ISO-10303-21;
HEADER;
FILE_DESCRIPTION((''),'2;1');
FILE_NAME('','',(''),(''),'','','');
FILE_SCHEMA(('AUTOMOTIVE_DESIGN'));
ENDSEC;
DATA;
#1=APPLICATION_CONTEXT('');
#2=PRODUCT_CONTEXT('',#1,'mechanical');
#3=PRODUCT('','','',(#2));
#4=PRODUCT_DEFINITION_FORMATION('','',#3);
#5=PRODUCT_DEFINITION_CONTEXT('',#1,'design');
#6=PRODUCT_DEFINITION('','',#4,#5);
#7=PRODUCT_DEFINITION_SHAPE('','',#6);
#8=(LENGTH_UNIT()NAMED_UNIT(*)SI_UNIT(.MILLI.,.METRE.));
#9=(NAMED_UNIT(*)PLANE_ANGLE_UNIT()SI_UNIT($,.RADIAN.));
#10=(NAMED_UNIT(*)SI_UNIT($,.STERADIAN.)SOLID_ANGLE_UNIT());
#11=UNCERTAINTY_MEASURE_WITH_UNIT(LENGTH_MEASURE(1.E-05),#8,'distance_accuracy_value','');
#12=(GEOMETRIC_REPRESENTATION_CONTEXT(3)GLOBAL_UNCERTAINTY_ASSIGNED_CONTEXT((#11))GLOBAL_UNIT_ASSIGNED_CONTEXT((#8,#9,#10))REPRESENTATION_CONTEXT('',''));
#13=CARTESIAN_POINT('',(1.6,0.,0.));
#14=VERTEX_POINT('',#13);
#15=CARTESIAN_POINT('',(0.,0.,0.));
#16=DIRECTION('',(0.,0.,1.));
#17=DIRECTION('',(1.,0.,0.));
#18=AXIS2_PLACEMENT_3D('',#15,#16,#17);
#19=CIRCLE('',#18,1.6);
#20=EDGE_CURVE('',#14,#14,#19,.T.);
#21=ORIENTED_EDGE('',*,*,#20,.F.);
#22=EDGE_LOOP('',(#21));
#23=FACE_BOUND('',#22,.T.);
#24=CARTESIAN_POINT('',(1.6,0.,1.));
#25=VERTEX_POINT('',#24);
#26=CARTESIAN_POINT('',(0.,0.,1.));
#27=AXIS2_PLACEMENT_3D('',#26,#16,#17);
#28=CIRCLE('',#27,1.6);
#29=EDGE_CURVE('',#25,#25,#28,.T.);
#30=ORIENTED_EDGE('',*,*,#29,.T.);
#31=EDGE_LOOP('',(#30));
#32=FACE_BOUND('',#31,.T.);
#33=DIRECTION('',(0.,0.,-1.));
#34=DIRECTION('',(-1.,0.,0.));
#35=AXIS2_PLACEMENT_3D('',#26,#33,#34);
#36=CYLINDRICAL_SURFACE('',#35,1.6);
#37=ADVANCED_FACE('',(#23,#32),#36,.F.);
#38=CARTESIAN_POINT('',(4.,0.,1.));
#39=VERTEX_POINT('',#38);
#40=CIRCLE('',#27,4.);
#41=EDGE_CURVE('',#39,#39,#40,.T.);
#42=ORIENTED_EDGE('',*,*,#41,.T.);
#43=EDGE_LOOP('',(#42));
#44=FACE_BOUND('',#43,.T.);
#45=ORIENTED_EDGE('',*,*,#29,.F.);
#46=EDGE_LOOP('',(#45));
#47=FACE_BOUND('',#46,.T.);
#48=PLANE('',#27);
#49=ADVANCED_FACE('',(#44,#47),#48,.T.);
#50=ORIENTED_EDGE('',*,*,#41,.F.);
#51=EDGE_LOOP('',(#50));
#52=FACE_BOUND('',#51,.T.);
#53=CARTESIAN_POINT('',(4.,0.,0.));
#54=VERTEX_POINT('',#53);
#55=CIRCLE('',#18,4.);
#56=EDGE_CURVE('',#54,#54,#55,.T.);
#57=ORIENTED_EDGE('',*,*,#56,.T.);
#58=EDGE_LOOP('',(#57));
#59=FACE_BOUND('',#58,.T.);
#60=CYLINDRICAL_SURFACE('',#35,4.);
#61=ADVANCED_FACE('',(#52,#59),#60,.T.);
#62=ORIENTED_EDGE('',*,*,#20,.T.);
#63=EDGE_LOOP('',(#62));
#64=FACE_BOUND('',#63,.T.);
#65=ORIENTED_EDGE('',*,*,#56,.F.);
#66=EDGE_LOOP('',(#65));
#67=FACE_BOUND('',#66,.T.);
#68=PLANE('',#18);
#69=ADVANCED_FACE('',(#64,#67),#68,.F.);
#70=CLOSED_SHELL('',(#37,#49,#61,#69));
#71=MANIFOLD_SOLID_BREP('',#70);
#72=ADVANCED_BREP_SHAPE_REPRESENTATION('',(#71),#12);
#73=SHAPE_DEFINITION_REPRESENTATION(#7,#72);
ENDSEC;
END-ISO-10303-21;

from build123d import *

# Parameters (mm, degrees)
ESQUISSE1_R      = 4
ESQUISSE1_R_2    = 1.6
EXTRUSION1_DEPTH = 1


with BuildPart() as part:
    # Esquisse1 → Extrusion1 (new body)
    with BuildSketch(Plane.XY):
        Circle(ESQUISSE1_R)
        Circle(ESQUISSE1_R_2, mode=Mode.SUBTRACT)
    extrude(amount=EXTRUSION1_DEPTH)


solid = part.part
